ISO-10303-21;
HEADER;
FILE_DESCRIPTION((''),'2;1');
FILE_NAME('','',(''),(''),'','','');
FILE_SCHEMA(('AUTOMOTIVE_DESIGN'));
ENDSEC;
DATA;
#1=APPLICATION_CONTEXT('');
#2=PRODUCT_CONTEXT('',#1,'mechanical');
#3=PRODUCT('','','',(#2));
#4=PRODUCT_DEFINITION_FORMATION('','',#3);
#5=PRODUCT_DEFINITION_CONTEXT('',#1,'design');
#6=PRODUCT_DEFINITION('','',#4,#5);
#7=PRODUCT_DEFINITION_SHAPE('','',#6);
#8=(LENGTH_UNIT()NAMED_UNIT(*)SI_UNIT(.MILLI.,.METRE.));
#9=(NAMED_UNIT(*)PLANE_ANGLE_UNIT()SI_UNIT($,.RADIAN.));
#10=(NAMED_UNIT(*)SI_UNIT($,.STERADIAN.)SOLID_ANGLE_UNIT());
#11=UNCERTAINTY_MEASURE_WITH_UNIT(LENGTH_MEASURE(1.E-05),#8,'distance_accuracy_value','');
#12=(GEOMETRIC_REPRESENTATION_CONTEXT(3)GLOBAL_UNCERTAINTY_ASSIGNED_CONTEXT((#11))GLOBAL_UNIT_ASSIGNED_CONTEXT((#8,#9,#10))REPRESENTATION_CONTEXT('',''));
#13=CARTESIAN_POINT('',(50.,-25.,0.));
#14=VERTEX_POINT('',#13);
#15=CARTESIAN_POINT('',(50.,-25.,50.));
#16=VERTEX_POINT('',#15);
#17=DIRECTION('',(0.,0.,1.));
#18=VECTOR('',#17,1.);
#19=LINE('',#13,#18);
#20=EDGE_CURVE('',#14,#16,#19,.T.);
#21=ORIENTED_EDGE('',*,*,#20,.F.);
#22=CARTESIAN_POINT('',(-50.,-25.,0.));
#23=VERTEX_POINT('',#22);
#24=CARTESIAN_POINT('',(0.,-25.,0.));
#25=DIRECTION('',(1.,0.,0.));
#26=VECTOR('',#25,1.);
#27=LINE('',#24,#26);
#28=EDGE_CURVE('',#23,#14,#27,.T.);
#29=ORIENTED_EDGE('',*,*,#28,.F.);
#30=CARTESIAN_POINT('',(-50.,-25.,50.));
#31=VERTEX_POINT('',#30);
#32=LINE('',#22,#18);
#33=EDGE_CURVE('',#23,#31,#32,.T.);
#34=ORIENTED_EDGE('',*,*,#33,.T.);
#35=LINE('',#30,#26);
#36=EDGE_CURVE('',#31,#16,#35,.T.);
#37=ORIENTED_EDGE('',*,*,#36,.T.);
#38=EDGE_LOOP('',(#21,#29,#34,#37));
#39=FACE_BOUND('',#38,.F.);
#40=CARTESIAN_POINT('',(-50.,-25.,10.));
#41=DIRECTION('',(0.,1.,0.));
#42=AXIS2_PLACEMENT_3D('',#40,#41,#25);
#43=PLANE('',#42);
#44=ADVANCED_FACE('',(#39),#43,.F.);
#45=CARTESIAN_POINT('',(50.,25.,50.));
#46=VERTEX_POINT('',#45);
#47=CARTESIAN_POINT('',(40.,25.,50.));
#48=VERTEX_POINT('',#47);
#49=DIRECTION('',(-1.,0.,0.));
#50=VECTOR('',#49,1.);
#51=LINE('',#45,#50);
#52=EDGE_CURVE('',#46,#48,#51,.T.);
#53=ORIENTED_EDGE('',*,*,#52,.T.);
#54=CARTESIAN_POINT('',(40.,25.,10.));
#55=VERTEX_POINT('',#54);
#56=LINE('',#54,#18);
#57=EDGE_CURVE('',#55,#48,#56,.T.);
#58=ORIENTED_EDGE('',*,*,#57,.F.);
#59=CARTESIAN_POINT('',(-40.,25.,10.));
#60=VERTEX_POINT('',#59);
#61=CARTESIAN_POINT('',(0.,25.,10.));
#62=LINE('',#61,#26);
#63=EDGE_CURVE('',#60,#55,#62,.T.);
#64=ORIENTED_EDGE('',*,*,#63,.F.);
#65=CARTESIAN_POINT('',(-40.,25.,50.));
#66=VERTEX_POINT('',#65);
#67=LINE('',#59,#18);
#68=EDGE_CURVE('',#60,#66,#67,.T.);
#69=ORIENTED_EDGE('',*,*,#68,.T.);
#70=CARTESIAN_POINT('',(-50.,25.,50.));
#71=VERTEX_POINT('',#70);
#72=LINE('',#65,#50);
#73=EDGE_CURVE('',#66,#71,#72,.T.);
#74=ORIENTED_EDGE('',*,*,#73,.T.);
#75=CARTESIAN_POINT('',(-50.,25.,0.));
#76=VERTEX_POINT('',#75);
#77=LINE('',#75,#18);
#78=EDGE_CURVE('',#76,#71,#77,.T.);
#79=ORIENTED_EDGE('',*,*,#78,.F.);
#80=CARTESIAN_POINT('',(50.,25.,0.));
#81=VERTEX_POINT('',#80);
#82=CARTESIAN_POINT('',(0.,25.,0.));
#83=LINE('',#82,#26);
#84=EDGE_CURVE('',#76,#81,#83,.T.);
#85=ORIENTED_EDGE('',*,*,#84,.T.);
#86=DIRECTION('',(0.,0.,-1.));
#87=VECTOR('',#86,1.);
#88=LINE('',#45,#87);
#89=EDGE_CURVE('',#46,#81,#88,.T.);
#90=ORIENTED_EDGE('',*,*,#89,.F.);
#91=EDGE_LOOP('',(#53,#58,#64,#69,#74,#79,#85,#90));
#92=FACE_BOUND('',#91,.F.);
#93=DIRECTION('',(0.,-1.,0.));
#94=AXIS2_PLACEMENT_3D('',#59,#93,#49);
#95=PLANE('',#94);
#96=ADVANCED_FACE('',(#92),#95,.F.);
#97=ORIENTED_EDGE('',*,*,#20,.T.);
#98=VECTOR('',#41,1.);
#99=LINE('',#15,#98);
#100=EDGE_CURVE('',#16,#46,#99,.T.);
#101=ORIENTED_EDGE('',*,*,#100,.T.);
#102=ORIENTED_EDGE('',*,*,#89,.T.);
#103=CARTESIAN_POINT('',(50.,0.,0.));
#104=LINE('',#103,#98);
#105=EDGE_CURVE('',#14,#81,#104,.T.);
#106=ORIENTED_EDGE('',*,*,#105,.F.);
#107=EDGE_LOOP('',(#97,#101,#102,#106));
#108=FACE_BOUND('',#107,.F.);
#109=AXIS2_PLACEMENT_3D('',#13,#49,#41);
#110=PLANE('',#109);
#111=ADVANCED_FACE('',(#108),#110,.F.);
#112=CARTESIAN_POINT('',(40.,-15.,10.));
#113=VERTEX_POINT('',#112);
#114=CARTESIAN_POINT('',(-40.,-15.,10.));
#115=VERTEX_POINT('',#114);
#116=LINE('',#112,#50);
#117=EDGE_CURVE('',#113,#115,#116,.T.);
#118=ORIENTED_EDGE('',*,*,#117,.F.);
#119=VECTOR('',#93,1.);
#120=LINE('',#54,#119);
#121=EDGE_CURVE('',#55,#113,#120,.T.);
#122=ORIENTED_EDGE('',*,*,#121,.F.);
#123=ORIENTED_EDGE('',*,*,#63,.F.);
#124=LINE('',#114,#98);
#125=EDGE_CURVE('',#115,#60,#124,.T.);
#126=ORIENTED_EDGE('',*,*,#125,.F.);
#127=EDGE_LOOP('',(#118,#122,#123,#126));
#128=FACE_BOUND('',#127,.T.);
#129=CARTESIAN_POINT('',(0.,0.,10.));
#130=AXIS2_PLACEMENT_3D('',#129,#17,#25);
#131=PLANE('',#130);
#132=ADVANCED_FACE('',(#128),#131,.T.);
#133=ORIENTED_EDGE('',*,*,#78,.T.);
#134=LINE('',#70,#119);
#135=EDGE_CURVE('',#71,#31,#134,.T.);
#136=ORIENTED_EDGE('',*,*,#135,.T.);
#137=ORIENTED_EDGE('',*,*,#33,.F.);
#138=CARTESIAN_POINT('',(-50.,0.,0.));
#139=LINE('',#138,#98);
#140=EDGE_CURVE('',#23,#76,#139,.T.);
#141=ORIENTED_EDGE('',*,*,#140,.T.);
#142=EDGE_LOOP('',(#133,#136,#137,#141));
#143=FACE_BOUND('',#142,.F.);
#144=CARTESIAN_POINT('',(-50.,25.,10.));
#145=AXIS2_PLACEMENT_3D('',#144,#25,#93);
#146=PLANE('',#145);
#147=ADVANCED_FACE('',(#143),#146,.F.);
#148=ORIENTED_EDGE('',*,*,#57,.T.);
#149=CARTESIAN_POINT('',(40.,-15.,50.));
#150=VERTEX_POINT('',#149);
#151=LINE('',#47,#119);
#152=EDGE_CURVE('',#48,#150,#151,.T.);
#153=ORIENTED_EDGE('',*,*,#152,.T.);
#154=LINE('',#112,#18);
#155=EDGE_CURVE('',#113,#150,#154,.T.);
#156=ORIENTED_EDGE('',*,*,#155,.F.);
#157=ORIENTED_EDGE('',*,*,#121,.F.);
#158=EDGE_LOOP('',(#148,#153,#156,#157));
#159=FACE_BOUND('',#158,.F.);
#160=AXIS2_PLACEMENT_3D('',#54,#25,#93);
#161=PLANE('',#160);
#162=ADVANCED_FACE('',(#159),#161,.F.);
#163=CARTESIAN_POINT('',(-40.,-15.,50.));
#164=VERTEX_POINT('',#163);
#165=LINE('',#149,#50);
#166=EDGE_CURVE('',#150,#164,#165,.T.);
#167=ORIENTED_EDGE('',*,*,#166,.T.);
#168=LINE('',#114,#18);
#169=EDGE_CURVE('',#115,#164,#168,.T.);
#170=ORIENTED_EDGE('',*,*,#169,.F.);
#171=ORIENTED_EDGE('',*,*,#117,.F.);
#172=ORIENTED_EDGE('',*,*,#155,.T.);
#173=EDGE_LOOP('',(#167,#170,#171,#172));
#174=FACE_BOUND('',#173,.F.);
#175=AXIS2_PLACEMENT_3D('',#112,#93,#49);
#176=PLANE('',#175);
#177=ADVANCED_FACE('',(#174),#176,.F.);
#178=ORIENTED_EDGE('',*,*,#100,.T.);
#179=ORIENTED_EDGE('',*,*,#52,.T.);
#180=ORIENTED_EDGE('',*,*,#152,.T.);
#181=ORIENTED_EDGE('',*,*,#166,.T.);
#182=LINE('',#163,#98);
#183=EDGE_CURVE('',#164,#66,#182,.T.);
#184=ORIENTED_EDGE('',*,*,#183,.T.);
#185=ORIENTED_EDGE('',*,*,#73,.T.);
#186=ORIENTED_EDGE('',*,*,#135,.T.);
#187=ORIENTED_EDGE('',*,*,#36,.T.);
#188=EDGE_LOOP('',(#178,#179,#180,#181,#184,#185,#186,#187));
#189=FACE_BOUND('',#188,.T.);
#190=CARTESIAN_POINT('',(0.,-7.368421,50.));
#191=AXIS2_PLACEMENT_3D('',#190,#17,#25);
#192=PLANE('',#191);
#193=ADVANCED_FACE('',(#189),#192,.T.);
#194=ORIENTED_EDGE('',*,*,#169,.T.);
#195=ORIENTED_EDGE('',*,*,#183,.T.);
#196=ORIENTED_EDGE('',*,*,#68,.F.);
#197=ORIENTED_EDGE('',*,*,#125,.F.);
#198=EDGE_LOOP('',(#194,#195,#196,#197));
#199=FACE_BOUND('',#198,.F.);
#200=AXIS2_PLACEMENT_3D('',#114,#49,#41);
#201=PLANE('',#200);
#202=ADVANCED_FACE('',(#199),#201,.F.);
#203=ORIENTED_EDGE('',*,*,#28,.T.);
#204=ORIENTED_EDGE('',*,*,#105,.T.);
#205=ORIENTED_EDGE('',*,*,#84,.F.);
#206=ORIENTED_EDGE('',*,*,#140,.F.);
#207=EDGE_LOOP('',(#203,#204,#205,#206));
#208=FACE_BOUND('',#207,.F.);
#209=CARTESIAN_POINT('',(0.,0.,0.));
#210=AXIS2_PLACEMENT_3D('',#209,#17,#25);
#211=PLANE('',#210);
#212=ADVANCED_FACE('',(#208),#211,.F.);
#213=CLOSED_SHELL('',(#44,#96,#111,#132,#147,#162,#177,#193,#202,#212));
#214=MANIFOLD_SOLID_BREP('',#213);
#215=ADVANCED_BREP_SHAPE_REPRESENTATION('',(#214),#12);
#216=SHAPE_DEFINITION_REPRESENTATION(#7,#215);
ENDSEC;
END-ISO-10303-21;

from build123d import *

# Parameters (mm, degrees)
F0_W     = 100
F0_H     = 50
F1_DEPTH = 10
F3_DEPTH = 40


with BuildPart() as f1:
    # F0 (on Top) → F1 (new body)
    with BuildSketch(Plane.XY):
        Rectangle(F0_W, F0_H)
    extrude(amount=F1_DEPTH)

    # F2 (on face) → F3 (join)
    with BuildSketch(Plane.XY.offset(10)):
        Polygon((-40, 25), (-50, 25), (-50, -25), (50, -25), (50, 25), (40, 25), (40, -15), (-40, -15), align=None)
    extrude(amount=F3_DEPTH)


solid = f1.part
